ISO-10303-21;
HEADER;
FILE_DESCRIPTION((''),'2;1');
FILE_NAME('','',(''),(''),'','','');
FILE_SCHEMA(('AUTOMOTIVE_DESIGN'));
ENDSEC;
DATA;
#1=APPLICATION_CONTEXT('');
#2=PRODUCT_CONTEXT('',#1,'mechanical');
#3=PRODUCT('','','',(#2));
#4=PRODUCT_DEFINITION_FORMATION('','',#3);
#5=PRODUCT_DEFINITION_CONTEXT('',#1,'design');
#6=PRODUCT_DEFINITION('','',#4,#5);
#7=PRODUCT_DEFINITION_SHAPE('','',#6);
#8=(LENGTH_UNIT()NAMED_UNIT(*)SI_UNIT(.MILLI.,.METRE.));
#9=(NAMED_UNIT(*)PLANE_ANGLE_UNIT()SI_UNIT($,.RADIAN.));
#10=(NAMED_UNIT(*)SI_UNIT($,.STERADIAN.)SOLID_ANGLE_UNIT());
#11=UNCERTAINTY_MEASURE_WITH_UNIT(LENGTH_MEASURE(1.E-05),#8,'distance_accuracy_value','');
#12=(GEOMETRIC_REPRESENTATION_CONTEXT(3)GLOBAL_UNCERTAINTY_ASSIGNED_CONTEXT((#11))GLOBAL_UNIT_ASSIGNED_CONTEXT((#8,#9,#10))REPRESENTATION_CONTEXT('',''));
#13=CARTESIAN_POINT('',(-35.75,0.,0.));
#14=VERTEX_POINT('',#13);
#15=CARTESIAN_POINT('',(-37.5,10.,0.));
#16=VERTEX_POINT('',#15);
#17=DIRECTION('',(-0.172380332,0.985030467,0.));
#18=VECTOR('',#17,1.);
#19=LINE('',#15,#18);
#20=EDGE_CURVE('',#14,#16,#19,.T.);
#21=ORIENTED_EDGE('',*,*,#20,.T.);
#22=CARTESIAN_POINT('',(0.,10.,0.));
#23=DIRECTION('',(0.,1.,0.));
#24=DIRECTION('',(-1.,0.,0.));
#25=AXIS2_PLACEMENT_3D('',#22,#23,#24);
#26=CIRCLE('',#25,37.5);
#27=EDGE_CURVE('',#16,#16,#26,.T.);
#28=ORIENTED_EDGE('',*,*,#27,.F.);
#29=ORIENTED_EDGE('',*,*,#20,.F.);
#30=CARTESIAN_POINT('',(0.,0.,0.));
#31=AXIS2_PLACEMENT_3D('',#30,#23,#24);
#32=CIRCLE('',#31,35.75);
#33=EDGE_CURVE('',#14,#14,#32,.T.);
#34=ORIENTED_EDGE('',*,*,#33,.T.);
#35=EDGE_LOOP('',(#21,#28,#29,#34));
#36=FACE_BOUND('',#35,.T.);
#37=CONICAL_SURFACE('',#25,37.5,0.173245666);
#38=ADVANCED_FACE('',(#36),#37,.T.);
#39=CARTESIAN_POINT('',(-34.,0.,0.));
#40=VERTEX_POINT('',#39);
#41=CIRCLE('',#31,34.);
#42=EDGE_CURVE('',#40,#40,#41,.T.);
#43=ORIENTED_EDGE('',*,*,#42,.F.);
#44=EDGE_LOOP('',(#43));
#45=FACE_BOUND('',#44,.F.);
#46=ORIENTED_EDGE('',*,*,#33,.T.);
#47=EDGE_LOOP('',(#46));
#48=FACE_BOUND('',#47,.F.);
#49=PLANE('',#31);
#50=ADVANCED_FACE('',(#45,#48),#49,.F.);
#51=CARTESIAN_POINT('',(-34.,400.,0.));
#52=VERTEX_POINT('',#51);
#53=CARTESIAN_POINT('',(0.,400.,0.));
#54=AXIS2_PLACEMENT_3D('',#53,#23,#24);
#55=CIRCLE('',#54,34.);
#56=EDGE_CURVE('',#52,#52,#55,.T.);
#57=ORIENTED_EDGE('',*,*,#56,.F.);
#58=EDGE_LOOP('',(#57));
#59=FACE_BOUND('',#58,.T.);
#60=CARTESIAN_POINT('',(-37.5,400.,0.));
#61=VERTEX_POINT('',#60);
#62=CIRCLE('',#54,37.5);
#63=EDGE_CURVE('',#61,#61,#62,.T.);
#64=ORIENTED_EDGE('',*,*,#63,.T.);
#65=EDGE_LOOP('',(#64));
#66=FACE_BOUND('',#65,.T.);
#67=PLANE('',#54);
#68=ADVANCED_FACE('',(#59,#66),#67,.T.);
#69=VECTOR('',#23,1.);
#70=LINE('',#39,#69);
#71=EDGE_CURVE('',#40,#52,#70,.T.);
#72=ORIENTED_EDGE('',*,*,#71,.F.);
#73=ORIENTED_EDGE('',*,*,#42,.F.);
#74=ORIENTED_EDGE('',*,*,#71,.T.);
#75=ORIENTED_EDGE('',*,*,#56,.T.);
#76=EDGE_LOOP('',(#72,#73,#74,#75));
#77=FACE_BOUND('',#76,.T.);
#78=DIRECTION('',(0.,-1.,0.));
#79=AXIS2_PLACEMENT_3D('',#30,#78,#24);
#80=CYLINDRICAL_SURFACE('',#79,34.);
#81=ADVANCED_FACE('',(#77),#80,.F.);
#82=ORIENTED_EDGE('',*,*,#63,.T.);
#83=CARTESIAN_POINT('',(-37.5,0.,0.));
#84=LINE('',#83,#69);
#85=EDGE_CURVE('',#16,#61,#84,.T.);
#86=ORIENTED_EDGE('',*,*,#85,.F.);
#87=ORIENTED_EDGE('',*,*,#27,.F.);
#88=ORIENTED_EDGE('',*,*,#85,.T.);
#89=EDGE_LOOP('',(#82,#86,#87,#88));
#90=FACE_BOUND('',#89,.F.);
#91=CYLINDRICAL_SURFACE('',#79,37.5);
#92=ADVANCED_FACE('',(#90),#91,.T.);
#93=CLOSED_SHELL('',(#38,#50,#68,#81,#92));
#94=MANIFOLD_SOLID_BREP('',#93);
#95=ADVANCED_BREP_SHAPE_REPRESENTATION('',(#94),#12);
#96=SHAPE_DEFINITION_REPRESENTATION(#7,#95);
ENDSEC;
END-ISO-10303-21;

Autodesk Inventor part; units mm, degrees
ref_plane "YZ Plane" through (0, 0, 0) normal (1, 0, 0) x (0, 1, 0)
ref_plane "XZ Plane" through (0, 0, 0) normal (0, 1, 0) x (-1, 0, 0)
ref_plane "XY Plane" through (0, 0, 0) normal (0, 0, 1) x (1, 0, 0)
sketch "Sketch1" plane through (0, 0, 0) normal (0, 1, 0) x (-1, 0, 0)
  circle A0 centre (0, 0) radius 37.5
  circle A1 centre (0, 0) radius 34
  dimension "d0" = 75
  dimension "d1" = 3.5
extrude "Extrusion1" add sketch "Sketch1" along normal blind 400
sketch "Sketch2" plane through (0, 400, 0) normal (0, 1, 0) x (1, 0, 0)
  point P0 (0, 0)
chamfer "Chamfer2" distance 1.75 distance2 10 1 edges at (37.5, 0, 0) measured on face at (0, 0, 35.0014)
properties part number "Cup_Dispenser_Pipe"
